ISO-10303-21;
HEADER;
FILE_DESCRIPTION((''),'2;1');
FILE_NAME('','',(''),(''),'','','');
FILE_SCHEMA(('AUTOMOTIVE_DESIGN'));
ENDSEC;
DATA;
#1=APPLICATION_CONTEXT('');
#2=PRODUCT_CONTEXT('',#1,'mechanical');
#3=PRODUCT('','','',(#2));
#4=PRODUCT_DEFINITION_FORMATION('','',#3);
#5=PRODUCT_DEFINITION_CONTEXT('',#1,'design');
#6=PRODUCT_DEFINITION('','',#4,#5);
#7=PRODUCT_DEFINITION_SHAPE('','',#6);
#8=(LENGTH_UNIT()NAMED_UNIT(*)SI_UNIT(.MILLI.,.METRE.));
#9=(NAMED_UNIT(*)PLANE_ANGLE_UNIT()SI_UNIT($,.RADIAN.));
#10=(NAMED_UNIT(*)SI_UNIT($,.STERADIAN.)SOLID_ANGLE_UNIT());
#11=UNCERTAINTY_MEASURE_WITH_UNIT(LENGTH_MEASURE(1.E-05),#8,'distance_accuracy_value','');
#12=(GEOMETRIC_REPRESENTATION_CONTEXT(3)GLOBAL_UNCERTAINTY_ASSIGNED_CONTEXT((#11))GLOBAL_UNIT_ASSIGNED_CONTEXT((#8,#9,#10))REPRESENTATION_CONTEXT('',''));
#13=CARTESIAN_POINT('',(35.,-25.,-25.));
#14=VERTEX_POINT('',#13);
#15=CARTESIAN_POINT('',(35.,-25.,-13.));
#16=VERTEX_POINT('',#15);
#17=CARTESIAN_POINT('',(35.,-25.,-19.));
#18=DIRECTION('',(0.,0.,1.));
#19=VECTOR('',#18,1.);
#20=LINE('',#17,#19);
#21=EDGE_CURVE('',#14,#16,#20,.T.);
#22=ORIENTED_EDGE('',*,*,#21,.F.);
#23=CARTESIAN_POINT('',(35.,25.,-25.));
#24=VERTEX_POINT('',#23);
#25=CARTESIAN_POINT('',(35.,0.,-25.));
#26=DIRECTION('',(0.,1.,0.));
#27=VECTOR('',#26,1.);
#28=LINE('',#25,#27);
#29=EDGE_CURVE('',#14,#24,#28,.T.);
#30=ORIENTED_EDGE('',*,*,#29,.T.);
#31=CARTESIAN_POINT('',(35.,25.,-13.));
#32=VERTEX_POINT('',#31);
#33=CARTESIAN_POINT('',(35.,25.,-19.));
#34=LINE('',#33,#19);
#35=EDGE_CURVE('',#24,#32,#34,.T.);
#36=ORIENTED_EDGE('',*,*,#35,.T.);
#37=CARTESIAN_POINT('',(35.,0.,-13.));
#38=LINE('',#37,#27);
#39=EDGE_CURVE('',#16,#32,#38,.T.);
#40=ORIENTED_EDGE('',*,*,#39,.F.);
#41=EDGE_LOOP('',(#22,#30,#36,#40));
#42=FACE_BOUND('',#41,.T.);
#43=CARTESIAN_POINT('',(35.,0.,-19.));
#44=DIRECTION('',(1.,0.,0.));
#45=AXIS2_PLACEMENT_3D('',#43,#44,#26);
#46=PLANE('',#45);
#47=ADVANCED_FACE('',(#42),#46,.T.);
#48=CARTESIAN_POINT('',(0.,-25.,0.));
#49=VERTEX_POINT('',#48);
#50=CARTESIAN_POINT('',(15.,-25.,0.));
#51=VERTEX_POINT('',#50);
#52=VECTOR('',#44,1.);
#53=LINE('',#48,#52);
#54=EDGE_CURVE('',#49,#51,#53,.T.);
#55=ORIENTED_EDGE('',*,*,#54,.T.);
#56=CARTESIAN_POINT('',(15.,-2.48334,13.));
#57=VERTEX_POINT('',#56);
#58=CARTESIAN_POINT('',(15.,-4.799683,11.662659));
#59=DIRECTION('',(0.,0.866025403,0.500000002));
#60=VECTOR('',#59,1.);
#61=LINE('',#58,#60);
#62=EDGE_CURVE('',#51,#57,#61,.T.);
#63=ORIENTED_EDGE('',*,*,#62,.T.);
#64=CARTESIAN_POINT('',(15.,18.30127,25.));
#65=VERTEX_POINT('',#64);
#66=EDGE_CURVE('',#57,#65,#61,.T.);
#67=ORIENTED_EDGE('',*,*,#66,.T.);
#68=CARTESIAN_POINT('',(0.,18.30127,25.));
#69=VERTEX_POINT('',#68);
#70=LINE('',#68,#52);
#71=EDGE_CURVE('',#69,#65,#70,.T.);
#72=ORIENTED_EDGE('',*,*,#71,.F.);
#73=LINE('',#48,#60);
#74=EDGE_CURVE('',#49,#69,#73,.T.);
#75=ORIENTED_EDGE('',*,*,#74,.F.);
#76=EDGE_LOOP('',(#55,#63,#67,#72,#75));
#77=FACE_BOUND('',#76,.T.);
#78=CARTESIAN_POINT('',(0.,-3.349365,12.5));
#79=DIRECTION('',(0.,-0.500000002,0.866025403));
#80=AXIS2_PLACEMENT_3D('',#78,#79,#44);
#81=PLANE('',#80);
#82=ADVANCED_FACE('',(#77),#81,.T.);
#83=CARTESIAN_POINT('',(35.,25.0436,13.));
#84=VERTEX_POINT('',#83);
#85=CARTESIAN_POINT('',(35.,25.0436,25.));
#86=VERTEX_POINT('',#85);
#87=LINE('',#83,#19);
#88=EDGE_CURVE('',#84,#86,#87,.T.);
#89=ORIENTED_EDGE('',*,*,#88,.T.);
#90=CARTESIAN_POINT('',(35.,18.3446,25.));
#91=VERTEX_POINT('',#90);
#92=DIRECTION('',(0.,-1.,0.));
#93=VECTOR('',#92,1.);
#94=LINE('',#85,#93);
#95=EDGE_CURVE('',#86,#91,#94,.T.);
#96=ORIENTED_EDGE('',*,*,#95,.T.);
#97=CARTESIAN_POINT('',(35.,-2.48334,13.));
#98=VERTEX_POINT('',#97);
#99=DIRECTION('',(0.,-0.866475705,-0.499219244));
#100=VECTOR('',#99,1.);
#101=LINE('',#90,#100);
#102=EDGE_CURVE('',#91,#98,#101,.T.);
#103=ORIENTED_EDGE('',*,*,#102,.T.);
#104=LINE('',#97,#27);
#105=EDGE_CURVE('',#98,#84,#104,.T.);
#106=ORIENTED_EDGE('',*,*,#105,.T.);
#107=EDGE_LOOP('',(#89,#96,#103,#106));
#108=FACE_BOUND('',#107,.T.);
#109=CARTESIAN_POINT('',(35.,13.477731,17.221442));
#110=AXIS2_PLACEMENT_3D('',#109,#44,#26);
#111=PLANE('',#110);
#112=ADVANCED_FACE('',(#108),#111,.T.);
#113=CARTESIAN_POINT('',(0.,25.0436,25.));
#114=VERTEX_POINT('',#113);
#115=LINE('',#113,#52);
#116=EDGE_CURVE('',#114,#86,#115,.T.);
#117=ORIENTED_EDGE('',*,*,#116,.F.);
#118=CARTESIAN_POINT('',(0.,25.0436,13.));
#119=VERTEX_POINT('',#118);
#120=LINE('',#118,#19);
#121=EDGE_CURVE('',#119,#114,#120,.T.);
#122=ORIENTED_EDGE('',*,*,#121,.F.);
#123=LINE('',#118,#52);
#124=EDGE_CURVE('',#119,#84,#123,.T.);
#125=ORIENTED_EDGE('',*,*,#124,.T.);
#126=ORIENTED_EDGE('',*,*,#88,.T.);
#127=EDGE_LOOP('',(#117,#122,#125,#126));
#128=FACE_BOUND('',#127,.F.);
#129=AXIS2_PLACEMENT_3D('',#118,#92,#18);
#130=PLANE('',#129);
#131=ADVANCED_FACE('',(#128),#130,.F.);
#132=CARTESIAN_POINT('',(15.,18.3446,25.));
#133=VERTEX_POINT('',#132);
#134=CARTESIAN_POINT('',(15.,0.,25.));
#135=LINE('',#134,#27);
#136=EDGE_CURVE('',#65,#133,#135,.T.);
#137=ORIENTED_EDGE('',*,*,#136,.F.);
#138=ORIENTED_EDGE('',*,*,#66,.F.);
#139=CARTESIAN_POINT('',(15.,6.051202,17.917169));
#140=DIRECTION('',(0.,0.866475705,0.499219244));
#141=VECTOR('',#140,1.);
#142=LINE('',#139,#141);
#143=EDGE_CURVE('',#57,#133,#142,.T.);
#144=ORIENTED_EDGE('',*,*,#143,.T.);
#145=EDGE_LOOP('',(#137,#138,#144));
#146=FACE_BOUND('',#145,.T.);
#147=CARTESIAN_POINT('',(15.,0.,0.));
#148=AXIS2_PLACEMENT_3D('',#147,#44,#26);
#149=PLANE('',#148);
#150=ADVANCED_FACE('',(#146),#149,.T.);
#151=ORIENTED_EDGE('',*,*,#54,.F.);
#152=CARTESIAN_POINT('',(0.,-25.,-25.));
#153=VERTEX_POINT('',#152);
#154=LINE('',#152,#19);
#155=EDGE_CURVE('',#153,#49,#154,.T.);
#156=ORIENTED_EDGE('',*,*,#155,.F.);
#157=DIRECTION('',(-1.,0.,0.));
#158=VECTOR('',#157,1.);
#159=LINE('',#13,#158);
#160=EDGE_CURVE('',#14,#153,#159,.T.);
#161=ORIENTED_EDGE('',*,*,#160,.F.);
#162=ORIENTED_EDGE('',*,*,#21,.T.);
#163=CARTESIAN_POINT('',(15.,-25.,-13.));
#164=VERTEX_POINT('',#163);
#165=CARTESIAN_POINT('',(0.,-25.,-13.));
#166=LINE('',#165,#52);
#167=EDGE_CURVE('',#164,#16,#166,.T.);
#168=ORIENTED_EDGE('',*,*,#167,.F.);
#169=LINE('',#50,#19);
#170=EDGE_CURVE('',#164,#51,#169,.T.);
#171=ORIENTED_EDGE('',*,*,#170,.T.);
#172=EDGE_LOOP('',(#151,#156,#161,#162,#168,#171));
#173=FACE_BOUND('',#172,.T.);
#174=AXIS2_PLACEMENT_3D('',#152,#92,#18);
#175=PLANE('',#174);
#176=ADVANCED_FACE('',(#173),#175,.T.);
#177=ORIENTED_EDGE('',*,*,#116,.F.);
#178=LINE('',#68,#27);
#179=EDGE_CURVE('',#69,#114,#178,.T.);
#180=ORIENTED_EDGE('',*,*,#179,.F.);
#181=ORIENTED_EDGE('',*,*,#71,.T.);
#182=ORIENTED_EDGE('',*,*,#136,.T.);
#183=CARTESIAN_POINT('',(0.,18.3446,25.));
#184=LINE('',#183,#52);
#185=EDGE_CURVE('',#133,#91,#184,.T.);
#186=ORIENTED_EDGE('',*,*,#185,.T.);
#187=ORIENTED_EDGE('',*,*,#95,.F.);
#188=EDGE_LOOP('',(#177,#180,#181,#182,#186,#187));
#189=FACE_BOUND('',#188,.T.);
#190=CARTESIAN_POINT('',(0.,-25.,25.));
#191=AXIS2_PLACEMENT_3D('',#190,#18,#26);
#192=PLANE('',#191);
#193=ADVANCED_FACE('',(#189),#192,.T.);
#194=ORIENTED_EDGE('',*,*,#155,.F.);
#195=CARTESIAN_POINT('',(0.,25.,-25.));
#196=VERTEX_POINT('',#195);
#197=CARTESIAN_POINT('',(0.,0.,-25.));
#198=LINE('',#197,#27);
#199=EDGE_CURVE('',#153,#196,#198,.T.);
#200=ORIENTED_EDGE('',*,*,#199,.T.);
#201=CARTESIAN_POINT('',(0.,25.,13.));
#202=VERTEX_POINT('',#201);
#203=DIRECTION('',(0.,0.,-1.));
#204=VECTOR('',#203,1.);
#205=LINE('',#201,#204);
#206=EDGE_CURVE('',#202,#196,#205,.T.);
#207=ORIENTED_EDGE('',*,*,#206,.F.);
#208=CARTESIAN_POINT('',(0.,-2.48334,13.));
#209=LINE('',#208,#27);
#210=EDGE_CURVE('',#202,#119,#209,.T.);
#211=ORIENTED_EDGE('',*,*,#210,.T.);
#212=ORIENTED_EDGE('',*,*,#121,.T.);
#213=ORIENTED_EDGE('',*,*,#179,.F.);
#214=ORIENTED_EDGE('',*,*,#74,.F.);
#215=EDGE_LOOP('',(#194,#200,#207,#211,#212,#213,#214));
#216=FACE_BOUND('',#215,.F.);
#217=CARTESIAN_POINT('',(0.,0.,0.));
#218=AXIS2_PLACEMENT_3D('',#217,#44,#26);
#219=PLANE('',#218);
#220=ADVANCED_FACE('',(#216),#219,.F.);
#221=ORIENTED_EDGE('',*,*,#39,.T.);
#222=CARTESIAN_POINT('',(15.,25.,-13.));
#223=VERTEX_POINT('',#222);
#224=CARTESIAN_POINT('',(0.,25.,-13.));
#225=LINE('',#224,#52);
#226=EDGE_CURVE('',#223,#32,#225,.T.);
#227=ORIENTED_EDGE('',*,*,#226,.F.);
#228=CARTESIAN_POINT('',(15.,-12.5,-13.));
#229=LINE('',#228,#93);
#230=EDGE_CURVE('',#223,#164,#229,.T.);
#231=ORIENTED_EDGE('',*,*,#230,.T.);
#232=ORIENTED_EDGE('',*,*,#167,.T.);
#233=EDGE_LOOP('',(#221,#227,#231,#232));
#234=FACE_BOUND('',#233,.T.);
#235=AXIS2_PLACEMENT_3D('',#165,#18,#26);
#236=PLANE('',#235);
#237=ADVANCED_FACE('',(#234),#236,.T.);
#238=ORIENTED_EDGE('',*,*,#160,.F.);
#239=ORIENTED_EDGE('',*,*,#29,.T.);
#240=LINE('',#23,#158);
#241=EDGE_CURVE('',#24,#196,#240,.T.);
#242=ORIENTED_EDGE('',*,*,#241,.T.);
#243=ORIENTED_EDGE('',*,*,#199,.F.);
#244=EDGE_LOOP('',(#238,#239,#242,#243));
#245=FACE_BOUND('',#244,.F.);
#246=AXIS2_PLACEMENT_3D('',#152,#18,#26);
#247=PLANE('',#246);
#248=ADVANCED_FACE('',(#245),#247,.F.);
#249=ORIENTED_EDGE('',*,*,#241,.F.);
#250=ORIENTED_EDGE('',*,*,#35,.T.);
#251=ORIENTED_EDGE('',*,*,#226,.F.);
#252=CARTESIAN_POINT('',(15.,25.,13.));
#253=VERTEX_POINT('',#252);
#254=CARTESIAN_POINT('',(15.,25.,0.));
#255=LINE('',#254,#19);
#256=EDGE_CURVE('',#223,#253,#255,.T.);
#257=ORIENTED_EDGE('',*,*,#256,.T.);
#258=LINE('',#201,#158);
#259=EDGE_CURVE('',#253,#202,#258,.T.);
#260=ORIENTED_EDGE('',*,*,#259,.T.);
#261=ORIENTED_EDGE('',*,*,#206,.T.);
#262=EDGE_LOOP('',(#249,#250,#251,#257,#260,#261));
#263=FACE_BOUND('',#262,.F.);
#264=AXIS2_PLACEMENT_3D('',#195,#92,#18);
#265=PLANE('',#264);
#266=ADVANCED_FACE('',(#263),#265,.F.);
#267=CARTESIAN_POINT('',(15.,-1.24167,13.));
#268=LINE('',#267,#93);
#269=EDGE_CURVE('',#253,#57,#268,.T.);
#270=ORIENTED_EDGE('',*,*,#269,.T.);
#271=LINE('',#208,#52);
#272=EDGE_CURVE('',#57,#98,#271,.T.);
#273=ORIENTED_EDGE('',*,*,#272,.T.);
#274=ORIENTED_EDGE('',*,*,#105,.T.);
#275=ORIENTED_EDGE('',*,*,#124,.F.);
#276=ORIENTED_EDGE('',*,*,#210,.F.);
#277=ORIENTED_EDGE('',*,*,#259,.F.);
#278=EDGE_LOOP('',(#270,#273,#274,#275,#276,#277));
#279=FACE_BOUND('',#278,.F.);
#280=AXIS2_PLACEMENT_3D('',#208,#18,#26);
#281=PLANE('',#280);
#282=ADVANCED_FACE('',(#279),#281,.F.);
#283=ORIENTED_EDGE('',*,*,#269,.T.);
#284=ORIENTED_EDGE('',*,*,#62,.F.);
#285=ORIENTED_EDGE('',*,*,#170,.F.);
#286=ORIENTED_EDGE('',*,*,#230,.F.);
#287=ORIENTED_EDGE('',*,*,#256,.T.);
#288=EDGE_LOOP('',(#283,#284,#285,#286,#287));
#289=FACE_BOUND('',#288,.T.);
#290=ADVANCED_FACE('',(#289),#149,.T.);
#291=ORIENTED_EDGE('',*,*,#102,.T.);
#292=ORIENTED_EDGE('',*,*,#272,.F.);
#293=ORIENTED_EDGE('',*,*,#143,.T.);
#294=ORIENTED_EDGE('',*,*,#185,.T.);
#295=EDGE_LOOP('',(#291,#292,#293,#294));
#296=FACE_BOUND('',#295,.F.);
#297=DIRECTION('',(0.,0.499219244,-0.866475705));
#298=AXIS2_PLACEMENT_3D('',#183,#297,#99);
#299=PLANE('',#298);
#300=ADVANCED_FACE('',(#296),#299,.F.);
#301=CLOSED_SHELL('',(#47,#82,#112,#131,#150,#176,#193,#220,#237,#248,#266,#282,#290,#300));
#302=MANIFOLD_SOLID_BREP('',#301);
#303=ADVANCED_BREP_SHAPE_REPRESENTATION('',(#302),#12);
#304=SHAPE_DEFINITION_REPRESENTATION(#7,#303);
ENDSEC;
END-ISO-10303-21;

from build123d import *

# Parameters (mm, degrees)
F0_W     = 50
F0_H     = 50
F1_DEPTH = 15
F2_SIZE2 = 43.30127
F2_SIZE  = 25
F4_DEPTH = 35
F5_W     = 50
F5_H     = 12
F6_DEPTH = 35


with BuildPart() as f1:
    # F0 (on Right) → F1 (new body)
    with BuildSketch(Plane.YZ):
        Rectangle(F0_W, F0_H)
    extrude(amount=F1_DEPTH)

    # F2
    f2_edges = [f1.edges().sort_by_distance(p)[0] for p in [
        (7.5, -25, 25),
    ]]
    chamfer(f2_edges, length=F2_SIZE, length2=F2_SIZE2)

    # F3 (on Right) → F4 (join)
    with BuildSketch(Plane.YZ):
        Polygon((-2.48334, 13), (25.0436, 13), (25.0436, 25), (18.3446, 25), align=None)
    extrude(amount=F4_DEPTH)

    # F5 (on Right) → F6 (join)
    with BuildSketch(Plane.YZ):
        with Locations((0, -19)):
            Rectangle(F5_W, F5_H)
    extrude(amount=F6_DEPTH)


solid = f1.part
